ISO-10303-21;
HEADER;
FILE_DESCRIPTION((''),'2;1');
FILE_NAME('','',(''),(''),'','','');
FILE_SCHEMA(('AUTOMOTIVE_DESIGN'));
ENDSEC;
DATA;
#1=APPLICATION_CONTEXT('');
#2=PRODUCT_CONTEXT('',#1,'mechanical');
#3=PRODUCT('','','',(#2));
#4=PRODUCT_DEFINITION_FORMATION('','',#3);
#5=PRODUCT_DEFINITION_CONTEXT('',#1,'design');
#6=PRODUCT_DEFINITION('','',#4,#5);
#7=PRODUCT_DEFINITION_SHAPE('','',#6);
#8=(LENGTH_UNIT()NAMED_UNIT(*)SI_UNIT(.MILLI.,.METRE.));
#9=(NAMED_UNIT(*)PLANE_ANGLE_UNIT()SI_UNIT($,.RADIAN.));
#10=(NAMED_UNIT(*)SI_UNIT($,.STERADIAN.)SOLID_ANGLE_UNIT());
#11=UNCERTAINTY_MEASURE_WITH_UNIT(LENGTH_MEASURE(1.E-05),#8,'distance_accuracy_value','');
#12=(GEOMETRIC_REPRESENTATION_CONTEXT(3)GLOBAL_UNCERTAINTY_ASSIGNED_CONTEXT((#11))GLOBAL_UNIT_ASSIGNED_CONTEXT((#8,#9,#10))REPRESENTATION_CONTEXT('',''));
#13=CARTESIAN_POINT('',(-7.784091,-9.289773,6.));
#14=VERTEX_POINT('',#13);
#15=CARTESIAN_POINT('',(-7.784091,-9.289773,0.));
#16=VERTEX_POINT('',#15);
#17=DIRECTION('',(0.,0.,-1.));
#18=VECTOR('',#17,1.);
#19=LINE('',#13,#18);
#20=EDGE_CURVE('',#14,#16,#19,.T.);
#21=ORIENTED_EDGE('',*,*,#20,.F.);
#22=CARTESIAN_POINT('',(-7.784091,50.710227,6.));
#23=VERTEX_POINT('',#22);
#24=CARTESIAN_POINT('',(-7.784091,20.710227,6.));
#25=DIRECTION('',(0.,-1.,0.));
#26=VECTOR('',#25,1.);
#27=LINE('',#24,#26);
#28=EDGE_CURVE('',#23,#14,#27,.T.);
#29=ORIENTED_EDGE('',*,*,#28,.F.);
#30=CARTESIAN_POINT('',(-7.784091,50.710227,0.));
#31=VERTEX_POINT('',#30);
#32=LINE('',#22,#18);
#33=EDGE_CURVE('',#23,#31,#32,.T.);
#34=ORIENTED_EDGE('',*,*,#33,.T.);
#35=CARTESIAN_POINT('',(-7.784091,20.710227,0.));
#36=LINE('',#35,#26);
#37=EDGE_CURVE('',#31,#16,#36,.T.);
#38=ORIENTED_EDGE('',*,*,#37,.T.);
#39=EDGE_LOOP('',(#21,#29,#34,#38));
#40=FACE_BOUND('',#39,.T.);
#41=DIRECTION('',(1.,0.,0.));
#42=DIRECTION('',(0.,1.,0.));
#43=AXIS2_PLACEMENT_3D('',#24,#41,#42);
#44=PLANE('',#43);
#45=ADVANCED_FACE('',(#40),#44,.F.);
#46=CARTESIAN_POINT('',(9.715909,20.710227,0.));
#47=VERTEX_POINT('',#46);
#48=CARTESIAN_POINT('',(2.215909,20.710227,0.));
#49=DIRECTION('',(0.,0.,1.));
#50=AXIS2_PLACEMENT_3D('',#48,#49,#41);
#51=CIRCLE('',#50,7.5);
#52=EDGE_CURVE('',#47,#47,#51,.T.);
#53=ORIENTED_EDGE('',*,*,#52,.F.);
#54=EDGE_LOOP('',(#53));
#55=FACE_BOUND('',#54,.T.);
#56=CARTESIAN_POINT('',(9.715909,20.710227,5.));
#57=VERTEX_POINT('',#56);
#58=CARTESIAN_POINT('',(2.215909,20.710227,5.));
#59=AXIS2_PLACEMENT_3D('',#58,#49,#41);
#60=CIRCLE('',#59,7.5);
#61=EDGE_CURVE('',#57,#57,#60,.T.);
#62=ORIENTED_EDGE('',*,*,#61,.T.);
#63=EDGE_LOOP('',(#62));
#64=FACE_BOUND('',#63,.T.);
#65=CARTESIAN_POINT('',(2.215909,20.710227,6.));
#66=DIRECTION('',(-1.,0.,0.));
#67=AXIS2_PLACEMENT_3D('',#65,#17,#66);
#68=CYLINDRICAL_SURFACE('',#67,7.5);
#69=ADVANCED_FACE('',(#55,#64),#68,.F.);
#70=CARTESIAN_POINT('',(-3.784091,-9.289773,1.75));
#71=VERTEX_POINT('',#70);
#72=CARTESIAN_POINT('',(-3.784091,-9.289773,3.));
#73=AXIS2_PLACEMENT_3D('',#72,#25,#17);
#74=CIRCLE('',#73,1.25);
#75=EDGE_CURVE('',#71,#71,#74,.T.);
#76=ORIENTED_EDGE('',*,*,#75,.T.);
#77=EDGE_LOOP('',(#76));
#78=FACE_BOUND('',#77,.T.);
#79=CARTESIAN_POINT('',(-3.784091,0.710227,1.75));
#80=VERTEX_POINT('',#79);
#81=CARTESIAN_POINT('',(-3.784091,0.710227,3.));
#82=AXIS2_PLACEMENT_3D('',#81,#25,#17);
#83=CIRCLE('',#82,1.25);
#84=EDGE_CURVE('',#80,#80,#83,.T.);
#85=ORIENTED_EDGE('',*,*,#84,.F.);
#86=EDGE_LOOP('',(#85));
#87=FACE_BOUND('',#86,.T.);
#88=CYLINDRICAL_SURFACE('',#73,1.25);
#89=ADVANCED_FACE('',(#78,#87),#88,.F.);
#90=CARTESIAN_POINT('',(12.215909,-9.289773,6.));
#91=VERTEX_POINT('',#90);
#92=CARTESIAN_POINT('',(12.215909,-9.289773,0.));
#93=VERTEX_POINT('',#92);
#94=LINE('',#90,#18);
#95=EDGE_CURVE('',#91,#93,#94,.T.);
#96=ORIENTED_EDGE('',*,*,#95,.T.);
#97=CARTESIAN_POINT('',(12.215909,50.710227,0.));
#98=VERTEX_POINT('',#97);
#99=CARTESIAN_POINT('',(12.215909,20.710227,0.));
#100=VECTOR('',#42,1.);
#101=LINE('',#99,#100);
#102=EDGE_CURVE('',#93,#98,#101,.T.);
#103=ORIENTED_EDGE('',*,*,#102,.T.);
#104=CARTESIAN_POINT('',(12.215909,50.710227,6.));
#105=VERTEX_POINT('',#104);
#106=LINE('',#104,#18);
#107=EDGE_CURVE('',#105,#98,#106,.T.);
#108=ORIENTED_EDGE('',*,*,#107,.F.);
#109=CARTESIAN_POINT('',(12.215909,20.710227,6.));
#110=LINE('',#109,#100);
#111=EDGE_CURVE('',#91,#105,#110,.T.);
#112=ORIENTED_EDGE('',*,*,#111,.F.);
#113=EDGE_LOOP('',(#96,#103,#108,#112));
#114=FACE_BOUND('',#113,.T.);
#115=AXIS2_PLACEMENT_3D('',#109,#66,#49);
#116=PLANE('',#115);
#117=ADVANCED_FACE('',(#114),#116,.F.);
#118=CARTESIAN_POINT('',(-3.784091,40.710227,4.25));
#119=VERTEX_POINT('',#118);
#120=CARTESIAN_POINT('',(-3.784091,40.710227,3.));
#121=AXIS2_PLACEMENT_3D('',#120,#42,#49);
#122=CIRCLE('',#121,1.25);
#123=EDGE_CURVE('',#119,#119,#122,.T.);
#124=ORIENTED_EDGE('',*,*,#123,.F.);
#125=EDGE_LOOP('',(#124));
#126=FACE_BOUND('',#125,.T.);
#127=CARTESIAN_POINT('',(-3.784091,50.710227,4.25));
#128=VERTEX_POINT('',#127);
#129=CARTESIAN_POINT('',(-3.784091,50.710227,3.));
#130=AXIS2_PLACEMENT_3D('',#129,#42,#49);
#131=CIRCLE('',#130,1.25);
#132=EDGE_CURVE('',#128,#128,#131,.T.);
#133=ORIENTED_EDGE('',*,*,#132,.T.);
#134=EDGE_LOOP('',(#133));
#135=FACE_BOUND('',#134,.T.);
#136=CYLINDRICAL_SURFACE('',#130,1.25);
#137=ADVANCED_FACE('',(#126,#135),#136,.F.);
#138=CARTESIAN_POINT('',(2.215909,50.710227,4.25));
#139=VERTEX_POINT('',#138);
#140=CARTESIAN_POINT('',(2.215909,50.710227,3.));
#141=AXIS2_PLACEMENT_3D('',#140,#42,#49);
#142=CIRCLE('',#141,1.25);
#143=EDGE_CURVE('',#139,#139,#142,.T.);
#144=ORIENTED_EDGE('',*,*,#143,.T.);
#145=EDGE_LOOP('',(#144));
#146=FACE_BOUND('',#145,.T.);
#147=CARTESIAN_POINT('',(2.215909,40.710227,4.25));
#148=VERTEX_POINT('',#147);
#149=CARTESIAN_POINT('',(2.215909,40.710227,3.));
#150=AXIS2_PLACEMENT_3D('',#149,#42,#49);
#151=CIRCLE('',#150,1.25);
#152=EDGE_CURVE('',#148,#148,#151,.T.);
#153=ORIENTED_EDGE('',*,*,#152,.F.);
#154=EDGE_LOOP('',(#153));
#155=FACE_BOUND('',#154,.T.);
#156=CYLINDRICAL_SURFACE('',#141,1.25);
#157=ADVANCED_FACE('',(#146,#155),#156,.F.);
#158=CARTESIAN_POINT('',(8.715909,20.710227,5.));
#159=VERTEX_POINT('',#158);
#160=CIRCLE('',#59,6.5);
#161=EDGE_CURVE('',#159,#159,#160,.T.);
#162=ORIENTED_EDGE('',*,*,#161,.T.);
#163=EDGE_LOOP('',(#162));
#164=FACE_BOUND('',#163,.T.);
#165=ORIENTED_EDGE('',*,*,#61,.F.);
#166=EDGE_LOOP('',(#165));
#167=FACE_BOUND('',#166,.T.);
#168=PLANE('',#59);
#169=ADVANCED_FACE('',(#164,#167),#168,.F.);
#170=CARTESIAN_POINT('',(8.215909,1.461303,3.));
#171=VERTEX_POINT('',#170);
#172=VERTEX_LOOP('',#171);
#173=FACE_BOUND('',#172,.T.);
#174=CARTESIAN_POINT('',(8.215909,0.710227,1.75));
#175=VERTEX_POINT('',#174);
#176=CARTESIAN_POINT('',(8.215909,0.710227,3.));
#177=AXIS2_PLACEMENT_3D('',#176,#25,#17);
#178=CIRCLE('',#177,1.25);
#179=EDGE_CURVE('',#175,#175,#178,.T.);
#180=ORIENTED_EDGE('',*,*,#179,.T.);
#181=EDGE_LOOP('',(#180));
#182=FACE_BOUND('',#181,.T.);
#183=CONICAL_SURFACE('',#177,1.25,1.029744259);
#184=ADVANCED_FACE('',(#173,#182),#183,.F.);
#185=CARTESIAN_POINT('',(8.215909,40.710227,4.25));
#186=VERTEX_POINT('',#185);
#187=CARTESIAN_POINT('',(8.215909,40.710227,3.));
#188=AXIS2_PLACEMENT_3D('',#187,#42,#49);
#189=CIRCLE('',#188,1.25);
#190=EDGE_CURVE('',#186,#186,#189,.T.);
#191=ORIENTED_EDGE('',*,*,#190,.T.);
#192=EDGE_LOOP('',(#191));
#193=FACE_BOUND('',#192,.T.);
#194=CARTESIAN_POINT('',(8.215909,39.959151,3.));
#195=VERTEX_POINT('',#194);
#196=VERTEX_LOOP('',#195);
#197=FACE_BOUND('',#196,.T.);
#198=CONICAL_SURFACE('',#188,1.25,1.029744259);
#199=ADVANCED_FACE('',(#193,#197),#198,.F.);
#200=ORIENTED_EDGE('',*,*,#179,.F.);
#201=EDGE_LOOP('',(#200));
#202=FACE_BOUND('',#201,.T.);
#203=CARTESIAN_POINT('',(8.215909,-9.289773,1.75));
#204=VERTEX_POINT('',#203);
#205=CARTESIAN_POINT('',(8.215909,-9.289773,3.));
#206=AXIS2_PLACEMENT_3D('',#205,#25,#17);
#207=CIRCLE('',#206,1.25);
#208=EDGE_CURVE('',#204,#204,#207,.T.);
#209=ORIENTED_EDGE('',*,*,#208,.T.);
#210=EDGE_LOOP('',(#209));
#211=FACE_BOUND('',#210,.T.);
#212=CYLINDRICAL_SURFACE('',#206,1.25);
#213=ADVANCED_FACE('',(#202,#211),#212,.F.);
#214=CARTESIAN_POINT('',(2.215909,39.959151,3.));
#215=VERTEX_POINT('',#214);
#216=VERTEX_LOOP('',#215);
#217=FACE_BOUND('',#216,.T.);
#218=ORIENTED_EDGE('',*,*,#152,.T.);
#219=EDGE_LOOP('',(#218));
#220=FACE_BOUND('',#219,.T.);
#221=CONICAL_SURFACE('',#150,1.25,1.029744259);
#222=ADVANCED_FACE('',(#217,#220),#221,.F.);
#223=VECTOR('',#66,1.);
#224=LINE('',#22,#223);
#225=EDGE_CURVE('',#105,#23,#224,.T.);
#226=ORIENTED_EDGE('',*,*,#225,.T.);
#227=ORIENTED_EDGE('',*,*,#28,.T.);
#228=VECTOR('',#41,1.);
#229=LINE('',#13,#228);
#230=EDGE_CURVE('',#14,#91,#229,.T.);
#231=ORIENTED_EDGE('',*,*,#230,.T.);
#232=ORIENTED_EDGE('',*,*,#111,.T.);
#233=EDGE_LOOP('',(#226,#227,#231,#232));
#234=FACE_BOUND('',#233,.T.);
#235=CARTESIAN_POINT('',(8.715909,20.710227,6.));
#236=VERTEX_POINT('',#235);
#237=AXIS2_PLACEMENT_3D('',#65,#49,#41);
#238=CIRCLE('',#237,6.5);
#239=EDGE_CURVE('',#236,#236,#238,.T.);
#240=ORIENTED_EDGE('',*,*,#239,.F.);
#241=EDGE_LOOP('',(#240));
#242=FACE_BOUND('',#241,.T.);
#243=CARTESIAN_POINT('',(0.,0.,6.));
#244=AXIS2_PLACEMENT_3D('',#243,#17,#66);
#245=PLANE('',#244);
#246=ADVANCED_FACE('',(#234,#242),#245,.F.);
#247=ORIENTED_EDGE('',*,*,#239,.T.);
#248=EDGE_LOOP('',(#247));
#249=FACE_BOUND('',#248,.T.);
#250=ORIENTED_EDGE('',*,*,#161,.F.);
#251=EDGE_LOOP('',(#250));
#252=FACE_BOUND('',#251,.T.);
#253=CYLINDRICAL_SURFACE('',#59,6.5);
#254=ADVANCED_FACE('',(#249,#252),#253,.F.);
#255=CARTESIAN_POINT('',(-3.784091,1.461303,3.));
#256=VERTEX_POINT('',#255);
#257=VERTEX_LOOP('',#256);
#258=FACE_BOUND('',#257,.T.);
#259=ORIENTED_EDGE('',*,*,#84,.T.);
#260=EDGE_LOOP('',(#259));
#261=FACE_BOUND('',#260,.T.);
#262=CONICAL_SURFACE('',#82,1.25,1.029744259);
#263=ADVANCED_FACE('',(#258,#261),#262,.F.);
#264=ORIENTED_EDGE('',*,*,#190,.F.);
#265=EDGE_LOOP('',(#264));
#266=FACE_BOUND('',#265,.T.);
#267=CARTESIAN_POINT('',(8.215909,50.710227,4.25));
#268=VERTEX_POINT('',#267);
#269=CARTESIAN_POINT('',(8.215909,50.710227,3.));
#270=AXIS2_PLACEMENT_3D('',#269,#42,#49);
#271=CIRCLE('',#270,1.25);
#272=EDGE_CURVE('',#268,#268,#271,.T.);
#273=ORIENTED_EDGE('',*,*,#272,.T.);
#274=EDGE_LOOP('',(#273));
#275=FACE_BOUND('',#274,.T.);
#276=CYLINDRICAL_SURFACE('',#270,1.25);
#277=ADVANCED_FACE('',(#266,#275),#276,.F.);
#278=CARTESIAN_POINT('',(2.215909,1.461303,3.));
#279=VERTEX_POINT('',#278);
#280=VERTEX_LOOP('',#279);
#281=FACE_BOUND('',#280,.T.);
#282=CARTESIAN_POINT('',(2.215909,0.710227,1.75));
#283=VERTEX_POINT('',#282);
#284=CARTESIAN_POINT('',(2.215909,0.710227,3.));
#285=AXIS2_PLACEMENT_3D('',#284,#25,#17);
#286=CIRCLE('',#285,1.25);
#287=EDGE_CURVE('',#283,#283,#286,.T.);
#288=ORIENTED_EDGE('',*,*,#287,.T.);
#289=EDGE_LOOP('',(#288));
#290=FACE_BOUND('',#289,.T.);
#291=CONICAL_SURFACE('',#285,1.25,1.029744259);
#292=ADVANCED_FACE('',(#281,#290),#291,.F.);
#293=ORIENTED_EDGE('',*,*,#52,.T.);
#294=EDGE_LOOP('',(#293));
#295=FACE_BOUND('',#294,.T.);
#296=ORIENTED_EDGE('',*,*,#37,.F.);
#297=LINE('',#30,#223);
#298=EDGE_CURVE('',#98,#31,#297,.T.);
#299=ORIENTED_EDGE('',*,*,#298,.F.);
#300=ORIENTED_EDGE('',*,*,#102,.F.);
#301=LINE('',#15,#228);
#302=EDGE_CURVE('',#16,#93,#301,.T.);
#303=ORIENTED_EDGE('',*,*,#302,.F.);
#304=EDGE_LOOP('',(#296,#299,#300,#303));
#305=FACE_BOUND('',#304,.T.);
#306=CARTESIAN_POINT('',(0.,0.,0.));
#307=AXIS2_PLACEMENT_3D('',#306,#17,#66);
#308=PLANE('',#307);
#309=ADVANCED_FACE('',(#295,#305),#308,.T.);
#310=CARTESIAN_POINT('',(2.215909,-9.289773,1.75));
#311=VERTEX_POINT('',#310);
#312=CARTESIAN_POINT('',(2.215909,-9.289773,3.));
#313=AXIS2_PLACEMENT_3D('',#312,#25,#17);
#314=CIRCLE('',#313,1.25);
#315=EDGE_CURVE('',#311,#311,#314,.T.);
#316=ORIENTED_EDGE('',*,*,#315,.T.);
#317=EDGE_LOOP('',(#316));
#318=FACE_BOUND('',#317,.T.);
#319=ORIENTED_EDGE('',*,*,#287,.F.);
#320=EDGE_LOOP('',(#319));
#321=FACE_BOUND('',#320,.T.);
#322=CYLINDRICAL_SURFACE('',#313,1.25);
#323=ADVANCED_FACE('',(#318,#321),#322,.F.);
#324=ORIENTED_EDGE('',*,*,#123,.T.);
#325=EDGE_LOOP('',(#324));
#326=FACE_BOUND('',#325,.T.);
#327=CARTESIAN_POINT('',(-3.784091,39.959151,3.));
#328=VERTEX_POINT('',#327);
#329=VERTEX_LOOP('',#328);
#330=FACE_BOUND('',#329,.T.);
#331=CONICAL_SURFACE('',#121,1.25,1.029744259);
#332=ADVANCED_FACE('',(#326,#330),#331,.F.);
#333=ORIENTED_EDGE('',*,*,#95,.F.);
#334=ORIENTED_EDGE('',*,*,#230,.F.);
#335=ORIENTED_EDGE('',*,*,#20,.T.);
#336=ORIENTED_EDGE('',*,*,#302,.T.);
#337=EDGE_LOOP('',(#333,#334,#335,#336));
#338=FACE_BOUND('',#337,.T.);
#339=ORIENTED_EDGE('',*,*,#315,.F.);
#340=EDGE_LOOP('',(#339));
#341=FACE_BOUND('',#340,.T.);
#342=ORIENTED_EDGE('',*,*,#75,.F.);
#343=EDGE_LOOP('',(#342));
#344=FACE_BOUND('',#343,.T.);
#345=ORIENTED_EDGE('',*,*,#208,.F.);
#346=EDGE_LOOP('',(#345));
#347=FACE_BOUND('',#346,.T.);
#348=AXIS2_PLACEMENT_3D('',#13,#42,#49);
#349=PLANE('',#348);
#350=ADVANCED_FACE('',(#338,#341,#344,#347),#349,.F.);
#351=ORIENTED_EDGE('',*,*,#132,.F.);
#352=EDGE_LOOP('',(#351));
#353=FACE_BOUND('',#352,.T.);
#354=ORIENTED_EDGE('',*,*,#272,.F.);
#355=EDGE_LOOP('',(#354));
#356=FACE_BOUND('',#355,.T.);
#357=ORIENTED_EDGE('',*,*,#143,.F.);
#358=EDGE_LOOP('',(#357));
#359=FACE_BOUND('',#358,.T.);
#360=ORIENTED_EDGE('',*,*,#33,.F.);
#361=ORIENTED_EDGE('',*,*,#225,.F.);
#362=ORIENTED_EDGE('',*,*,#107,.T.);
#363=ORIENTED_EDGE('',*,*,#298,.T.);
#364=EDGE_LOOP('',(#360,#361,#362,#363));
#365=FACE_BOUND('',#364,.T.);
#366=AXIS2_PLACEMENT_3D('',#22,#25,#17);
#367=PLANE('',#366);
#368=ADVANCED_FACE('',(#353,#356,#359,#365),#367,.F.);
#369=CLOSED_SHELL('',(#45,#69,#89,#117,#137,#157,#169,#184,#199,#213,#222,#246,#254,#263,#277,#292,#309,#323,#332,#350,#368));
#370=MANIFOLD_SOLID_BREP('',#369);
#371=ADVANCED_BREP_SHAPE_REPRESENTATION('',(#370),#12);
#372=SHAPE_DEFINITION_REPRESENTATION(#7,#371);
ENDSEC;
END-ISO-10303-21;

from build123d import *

# Parameters (mm, degrees)
SKETCH_1_R             = 7.5
EXTRUDE_1_DEPTH        = 6
SKETCH_2_R             = 7.5
SKETCH_2_R_2           = 6.5
EXTRUDE_3_DEPTH        = 1
HOLE_WIZARD_M3_1_D     = 2.5
HOLE_WIZARD_M3_1_DEPTH = 10
HOLE_WIZARD_M3_1_TIP   = 0.751075774
HOLE_WIZARD_M3_2_D     = 2.5
HOLE_WIZARD_M3_2_DEPTH = 10
HOLE_WIZARD_M3_2_TIP   = 0.751075774


with BuildPart() as part:
    # 스케치1 → 보스-돌출1 (new body)
    with BuildSketch(Plane.XY):
        Polygon((-7.784090909, 20.710227273), (-7.784090909, -9.289772727), (12.215909091, -9.289772727), (12.215909091, 20.710227273), (12.215909091, 50.710227273), (-7.784090909, 50.710227273), align=None)
        with Locations((2.215909091, 20.710227273)):
            Circle(SKETCH_1_R, mode=Mode.SUBTRACT)
    extrude(amount=EXTRUDE_1_DEPTH)

    # 스케치2 → 보스-돌출3 (add)
    with BuildSketch(Plane.XY.offset(6)):
        with Locations((2.215909091, 20.710227273)):
            Circle(SKETCH_2_R)
        with Locations((2.215909091, 20.710227273)):
            Circle(SKETCH_2_R_2, mode=Mode.SUBTRACT)
    extrude(amount=-EXTRUDE_3_DEPTH)

    # M3 나사 구멍1
    with Locations(Plane(origin=(0, -9.289772727, 0), x_dir=(-1, 0, 0), z_dir=(0, -1, 0))):
        with Locations((3.784090909, -3), (-2.215909091, -3), (-8.215909091, -3)):
            Hole(HOLE_WIZARD_M3_1_D / 2, depth=HOLE_WIZARD_M3_1_DEPTH)
            with Locations((0, 0, -(HOLE_WIZARD_M3_1_DEPTH + HOLE_WIZARD_M3_1_TIP / 2))):  # 118° drill point
                Cone(0, HOLE_WIZARD_M3_1_D / 2, HOLE_WIZARD_M3_1_TIP, mode=Mode.SUBTRACT)

    # M3 나사 구멍2
    with Locations(Plane(origin=(0, 50.710227273, 0), x_dir=(1, 0, 0), z_dir=(0, 1, 0))):
        with Locations((-3.784090909, -3), (2.215909091, -3), (8.215909091, -3)):
            Hole(HOLE_WIZARD_M3_2_D / 2, depth=HOLE_WIZARD_M3_2_DEPTH)
            with Locations((0, 0, -(HOLE_WIZARD_M3_2_DEPTH + HOLE_WIZARD_M3_2_TIP / 2))):  # 118° drill point
                Cone(0, HOLE_WIZARD_M3_2_D / 2, HOLE_WIZARD_M3_2_TIP, mode=Mode.SUBTRACT)


solid = part.part
